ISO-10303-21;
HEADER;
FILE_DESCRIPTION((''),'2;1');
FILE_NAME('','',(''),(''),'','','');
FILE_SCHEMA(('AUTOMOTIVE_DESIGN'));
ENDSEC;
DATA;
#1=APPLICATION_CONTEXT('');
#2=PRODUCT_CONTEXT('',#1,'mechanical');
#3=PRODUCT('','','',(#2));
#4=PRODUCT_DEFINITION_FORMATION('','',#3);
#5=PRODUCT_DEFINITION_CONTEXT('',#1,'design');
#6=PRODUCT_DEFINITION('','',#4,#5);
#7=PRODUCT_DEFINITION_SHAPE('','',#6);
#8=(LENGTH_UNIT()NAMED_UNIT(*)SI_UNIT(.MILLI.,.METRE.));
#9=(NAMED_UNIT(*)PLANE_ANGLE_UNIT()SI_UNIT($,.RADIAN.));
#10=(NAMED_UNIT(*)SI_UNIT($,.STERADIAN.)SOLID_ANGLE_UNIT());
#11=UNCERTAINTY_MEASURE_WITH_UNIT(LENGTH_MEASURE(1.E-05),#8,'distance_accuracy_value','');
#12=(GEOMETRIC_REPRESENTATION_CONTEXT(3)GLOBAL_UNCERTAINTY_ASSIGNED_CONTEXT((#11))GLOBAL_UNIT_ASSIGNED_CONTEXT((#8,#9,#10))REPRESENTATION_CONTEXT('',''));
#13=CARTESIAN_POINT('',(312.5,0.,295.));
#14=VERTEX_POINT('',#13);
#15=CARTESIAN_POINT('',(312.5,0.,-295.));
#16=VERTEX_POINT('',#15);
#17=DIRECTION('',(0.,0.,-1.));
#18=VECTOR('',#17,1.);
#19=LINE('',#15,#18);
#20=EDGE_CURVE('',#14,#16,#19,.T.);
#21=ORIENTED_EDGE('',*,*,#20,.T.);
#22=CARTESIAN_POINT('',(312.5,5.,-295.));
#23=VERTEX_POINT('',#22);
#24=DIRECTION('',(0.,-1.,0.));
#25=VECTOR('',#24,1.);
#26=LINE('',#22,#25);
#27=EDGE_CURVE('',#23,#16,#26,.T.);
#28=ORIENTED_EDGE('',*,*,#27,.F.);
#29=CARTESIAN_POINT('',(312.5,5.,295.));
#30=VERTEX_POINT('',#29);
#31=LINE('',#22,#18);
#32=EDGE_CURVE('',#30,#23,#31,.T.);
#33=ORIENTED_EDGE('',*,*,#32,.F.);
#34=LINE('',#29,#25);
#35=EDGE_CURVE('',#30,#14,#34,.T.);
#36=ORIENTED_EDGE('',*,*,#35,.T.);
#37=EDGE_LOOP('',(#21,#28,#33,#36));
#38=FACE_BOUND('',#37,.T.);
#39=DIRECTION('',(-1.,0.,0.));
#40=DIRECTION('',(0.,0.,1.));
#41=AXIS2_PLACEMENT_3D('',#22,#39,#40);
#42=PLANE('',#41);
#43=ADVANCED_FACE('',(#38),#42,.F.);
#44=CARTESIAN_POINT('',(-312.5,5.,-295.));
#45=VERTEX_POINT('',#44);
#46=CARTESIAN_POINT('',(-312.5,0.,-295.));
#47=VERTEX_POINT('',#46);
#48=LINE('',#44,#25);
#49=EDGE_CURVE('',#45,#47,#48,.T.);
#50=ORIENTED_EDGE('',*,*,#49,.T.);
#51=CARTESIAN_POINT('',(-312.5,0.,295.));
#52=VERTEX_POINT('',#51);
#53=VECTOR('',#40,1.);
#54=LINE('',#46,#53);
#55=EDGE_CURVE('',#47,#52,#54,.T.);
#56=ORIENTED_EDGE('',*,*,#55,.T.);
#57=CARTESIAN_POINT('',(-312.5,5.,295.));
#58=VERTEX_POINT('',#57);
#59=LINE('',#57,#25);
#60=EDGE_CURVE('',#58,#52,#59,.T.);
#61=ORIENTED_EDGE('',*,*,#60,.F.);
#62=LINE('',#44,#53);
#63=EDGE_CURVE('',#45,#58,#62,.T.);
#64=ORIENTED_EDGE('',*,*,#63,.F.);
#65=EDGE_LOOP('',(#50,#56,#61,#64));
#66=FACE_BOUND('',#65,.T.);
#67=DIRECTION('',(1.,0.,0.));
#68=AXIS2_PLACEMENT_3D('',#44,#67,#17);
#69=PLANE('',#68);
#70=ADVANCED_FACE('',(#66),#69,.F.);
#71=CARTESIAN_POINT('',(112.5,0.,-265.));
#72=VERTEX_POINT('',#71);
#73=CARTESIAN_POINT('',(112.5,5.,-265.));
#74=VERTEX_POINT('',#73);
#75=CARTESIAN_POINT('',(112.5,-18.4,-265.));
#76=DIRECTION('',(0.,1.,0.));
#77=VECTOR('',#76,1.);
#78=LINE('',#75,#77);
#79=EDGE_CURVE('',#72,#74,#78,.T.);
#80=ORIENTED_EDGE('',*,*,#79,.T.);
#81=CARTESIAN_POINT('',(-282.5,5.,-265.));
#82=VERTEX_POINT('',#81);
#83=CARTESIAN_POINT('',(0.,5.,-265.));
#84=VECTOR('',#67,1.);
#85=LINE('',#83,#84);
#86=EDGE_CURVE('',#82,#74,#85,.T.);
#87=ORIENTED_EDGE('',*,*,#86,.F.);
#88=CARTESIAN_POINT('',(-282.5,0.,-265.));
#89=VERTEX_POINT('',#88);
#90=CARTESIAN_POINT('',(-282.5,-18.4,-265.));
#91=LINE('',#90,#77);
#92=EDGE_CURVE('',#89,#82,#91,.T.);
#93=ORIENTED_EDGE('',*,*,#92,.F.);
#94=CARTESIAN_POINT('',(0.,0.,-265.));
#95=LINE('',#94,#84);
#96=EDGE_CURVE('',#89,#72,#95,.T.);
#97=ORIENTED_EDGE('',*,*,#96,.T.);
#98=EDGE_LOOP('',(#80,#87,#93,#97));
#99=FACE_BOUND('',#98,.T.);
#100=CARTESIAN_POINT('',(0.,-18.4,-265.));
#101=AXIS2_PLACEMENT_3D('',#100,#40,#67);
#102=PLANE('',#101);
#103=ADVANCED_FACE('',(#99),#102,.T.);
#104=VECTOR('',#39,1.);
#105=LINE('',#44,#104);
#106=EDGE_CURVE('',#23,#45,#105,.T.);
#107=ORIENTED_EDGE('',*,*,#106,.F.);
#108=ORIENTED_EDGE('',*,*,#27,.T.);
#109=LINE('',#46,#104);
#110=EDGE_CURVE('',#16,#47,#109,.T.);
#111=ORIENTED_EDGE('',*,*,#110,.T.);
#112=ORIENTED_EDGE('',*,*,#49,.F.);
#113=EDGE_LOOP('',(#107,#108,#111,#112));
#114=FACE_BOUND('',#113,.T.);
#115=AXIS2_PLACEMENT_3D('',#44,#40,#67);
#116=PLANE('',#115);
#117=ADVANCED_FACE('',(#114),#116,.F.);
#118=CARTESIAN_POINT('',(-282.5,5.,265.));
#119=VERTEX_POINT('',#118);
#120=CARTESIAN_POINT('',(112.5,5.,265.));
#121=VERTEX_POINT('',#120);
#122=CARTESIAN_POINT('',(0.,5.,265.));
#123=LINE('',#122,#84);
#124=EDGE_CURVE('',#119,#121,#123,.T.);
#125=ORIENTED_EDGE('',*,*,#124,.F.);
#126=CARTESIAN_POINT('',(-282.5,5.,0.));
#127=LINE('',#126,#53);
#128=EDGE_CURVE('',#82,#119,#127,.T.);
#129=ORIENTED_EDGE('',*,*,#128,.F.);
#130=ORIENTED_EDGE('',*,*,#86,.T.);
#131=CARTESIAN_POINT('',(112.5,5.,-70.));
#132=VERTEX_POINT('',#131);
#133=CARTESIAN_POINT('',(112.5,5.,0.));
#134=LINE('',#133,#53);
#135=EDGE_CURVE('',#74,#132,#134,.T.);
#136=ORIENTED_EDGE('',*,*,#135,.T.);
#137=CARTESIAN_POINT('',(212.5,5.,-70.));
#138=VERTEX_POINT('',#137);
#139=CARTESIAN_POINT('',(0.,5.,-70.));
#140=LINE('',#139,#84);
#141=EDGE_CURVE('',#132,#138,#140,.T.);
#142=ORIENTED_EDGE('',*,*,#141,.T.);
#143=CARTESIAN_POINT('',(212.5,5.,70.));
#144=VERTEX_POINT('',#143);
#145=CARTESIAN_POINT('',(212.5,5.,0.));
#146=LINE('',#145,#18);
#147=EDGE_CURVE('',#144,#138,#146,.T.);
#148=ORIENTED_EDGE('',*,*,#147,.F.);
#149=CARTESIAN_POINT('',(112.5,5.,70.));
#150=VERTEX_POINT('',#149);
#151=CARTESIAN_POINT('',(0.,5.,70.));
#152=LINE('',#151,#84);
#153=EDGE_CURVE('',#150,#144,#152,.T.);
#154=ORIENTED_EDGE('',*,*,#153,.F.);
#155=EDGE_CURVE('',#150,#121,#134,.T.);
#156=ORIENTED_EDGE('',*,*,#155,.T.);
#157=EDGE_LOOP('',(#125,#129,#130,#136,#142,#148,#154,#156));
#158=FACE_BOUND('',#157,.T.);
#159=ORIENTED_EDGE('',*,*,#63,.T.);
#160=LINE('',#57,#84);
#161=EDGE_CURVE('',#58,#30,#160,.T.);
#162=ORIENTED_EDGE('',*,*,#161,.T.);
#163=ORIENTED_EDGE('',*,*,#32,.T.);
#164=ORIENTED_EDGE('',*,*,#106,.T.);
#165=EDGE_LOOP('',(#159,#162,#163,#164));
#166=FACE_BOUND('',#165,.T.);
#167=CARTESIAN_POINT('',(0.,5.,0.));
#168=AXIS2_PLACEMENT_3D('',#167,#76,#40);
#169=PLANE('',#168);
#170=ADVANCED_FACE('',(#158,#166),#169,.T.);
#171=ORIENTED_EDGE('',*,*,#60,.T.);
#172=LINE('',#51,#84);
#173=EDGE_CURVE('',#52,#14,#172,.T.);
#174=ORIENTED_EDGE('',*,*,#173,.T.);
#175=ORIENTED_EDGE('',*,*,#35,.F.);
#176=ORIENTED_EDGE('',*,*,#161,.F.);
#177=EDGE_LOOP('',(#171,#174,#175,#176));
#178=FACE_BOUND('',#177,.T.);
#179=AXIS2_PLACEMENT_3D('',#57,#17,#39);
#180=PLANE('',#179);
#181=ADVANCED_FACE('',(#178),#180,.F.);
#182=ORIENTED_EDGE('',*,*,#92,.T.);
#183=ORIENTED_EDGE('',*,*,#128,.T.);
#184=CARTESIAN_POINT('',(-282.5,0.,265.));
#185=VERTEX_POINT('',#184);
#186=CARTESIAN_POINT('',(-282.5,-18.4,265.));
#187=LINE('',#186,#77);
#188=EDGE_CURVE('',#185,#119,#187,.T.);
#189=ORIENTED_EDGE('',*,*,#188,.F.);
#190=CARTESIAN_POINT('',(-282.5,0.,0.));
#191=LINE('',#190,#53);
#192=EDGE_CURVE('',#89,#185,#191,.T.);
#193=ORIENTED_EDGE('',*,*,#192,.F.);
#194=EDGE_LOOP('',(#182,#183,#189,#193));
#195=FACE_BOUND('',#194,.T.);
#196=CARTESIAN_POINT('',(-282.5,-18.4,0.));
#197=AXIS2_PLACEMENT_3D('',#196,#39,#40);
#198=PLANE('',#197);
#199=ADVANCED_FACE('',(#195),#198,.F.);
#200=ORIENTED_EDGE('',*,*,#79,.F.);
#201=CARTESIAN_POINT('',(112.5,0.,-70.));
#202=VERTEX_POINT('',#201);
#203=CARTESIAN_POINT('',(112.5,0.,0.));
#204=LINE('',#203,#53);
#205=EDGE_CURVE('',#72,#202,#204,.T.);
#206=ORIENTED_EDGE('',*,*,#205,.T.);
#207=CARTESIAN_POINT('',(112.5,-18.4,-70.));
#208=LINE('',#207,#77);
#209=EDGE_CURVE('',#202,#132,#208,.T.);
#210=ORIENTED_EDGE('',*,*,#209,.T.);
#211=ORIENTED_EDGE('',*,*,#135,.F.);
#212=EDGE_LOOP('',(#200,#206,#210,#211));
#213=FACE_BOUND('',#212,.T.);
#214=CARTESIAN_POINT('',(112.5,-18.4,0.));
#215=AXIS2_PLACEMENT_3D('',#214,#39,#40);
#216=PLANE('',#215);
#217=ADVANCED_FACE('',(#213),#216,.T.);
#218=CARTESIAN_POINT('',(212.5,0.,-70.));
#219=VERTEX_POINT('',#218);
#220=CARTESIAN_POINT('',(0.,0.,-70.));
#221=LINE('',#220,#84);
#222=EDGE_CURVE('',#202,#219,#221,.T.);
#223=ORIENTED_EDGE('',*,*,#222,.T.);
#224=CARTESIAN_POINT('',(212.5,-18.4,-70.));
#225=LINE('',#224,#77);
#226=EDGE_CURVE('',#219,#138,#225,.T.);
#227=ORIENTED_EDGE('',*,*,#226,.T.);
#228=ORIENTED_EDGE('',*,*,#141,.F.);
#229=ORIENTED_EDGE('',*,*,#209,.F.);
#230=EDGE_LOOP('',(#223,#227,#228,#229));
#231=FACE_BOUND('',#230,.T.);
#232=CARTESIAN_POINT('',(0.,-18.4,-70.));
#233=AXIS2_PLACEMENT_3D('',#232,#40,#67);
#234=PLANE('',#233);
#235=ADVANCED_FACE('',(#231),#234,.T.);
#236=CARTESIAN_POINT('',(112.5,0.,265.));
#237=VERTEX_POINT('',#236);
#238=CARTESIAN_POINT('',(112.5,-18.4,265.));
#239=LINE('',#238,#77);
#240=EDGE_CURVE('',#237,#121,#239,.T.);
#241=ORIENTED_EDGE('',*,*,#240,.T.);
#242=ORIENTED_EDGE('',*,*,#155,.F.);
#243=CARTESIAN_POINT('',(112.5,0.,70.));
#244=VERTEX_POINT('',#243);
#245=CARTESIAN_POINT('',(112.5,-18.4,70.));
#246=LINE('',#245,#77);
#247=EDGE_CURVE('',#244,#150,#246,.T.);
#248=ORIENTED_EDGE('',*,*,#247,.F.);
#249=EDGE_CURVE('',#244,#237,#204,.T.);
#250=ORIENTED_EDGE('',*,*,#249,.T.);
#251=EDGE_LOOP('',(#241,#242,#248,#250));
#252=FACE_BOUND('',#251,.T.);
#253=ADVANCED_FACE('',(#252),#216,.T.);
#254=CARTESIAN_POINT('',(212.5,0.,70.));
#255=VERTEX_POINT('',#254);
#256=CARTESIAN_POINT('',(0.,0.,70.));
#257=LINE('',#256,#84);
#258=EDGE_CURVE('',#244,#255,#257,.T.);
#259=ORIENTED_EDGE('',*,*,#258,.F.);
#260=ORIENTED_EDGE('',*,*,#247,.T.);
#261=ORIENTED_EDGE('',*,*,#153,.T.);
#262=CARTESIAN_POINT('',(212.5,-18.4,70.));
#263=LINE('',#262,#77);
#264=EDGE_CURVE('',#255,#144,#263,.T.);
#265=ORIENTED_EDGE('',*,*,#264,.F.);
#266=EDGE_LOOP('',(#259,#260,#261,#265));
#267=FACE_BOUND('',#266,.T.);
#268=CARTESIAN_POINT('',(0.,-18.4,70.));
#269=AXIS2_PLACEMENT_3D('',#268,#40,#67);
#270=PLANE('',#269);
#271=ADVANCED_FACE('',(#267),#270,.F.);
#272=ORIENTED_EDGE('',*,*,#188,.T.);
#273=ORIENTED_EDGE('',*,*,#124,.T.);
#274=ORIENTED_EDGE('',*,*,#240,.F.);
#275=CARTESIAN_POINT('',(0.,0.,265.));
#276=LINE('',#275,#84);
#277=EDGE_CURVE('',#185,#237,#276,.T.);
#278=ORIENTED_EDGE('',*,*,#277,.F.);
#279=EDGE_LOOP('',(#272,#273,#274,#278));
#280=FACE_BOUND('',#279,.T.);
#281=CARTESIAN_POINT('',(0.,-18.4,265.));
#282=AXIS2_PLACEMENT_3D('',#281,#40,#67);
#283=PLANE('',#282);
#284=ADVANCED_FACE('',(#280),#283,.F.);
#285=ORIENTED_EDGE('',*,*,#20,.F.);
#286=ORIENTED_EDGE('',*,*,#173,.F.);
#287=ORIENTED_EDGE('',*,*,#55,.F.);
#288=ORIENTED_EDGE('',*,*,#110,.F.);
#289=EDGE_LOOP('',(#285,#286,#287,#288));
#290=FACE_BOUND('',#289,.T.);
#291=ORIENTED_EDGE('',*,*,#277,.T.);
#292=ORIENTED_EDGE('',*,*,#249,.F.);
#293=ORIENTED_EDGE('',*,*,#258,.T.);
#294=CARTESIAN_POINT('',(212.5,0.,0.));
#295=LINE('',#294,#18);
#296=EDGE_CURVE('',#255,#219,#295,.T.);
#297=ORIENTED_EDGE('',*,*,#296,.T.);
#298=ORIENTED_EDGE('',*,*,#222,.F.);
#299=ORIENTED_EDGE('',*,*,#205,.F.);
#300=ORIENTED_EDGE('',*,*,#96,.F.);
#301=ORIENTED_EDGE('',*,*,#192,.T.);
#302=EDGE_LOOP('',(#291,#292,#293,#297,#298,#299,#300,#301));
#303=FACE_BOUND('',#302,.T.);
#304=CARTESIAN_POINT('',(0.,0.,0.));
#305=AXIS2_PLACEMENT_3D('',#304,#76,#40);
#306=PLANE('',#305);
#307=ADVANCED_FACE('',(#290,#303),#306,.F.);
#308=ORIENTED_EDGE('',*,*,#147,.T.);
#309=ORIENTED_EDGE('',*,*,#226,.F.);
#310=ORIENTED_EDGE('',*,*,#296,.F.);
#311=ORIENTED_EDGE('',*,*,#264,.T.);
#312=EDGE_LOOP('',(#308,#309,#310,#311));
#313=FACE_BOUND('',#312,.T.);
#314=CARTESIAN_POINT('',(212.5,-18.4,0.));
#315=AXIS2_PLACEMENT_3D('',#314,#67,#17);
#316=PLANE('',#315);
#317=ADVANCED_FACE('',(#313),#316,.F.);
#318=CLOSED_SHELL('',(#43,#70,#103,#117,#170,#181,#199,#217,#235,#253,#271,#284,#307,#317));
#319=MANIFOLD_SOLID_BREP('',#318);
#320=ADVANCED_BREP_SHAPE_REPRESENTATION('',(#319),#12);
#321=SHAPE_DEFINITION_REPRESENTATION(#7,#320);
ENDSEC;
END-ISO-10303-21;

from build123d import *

# Parameters (mm, degrees)
SKETCH1_W           = 625
SKETCH1_H           = 590
BOSS_EXTRUDE1_DEPTH = 5
SKETCH2_W           = 395
SKETCH2_H           = 530
CUT_EXTRUDE1_DEPTH  = 23.4
CUT_EXTRUDE2_DEPTH  = 23.4


with BuildPart() as part:
    # Sketch1 → Boss-Extrude1 (new body)
    with BuildSketch(Plane(origin=(0, 0, 0), x_dir=(1, 0, 0), z_dir=(0, 1, 0))):
        Rectangle(SKETCH1_W, SKETCH1_H)
    extrude(amount=BOSS_EXTRUDE1_DEPTH)

    # Sketch2 → Cut-Extrude1 (cut)
    with BuildSketch(Plane(origin=(0, 5, 0), x_dir=(1, 0, 0), z_dir=(0, 1, 0))):
        with Locations((-85, 0)):
            Rectangle(SKETCH2_W, SKETCH2_H)
    extrude(amount=-CUT_EXTRUDE1_DEPTH, mode=Mode.SUBTRACT)

    # Sketch3 → Cut-Extrude2 (cut)
    with BuildSketch(Plane(origin=(0, 5, 0), x_dir=(1, 0, 0), z_dir=(0, 1, 0))):
        Polygon((112.5, 70), (112.5, 0), (112.5, -70), (212.5, -70), (212.5, 70), align=None)
    extrude(amount=-CUT_EXTRUDE2_DEPTH, mode=Mode.SUBTRACT)


solid = part.part
